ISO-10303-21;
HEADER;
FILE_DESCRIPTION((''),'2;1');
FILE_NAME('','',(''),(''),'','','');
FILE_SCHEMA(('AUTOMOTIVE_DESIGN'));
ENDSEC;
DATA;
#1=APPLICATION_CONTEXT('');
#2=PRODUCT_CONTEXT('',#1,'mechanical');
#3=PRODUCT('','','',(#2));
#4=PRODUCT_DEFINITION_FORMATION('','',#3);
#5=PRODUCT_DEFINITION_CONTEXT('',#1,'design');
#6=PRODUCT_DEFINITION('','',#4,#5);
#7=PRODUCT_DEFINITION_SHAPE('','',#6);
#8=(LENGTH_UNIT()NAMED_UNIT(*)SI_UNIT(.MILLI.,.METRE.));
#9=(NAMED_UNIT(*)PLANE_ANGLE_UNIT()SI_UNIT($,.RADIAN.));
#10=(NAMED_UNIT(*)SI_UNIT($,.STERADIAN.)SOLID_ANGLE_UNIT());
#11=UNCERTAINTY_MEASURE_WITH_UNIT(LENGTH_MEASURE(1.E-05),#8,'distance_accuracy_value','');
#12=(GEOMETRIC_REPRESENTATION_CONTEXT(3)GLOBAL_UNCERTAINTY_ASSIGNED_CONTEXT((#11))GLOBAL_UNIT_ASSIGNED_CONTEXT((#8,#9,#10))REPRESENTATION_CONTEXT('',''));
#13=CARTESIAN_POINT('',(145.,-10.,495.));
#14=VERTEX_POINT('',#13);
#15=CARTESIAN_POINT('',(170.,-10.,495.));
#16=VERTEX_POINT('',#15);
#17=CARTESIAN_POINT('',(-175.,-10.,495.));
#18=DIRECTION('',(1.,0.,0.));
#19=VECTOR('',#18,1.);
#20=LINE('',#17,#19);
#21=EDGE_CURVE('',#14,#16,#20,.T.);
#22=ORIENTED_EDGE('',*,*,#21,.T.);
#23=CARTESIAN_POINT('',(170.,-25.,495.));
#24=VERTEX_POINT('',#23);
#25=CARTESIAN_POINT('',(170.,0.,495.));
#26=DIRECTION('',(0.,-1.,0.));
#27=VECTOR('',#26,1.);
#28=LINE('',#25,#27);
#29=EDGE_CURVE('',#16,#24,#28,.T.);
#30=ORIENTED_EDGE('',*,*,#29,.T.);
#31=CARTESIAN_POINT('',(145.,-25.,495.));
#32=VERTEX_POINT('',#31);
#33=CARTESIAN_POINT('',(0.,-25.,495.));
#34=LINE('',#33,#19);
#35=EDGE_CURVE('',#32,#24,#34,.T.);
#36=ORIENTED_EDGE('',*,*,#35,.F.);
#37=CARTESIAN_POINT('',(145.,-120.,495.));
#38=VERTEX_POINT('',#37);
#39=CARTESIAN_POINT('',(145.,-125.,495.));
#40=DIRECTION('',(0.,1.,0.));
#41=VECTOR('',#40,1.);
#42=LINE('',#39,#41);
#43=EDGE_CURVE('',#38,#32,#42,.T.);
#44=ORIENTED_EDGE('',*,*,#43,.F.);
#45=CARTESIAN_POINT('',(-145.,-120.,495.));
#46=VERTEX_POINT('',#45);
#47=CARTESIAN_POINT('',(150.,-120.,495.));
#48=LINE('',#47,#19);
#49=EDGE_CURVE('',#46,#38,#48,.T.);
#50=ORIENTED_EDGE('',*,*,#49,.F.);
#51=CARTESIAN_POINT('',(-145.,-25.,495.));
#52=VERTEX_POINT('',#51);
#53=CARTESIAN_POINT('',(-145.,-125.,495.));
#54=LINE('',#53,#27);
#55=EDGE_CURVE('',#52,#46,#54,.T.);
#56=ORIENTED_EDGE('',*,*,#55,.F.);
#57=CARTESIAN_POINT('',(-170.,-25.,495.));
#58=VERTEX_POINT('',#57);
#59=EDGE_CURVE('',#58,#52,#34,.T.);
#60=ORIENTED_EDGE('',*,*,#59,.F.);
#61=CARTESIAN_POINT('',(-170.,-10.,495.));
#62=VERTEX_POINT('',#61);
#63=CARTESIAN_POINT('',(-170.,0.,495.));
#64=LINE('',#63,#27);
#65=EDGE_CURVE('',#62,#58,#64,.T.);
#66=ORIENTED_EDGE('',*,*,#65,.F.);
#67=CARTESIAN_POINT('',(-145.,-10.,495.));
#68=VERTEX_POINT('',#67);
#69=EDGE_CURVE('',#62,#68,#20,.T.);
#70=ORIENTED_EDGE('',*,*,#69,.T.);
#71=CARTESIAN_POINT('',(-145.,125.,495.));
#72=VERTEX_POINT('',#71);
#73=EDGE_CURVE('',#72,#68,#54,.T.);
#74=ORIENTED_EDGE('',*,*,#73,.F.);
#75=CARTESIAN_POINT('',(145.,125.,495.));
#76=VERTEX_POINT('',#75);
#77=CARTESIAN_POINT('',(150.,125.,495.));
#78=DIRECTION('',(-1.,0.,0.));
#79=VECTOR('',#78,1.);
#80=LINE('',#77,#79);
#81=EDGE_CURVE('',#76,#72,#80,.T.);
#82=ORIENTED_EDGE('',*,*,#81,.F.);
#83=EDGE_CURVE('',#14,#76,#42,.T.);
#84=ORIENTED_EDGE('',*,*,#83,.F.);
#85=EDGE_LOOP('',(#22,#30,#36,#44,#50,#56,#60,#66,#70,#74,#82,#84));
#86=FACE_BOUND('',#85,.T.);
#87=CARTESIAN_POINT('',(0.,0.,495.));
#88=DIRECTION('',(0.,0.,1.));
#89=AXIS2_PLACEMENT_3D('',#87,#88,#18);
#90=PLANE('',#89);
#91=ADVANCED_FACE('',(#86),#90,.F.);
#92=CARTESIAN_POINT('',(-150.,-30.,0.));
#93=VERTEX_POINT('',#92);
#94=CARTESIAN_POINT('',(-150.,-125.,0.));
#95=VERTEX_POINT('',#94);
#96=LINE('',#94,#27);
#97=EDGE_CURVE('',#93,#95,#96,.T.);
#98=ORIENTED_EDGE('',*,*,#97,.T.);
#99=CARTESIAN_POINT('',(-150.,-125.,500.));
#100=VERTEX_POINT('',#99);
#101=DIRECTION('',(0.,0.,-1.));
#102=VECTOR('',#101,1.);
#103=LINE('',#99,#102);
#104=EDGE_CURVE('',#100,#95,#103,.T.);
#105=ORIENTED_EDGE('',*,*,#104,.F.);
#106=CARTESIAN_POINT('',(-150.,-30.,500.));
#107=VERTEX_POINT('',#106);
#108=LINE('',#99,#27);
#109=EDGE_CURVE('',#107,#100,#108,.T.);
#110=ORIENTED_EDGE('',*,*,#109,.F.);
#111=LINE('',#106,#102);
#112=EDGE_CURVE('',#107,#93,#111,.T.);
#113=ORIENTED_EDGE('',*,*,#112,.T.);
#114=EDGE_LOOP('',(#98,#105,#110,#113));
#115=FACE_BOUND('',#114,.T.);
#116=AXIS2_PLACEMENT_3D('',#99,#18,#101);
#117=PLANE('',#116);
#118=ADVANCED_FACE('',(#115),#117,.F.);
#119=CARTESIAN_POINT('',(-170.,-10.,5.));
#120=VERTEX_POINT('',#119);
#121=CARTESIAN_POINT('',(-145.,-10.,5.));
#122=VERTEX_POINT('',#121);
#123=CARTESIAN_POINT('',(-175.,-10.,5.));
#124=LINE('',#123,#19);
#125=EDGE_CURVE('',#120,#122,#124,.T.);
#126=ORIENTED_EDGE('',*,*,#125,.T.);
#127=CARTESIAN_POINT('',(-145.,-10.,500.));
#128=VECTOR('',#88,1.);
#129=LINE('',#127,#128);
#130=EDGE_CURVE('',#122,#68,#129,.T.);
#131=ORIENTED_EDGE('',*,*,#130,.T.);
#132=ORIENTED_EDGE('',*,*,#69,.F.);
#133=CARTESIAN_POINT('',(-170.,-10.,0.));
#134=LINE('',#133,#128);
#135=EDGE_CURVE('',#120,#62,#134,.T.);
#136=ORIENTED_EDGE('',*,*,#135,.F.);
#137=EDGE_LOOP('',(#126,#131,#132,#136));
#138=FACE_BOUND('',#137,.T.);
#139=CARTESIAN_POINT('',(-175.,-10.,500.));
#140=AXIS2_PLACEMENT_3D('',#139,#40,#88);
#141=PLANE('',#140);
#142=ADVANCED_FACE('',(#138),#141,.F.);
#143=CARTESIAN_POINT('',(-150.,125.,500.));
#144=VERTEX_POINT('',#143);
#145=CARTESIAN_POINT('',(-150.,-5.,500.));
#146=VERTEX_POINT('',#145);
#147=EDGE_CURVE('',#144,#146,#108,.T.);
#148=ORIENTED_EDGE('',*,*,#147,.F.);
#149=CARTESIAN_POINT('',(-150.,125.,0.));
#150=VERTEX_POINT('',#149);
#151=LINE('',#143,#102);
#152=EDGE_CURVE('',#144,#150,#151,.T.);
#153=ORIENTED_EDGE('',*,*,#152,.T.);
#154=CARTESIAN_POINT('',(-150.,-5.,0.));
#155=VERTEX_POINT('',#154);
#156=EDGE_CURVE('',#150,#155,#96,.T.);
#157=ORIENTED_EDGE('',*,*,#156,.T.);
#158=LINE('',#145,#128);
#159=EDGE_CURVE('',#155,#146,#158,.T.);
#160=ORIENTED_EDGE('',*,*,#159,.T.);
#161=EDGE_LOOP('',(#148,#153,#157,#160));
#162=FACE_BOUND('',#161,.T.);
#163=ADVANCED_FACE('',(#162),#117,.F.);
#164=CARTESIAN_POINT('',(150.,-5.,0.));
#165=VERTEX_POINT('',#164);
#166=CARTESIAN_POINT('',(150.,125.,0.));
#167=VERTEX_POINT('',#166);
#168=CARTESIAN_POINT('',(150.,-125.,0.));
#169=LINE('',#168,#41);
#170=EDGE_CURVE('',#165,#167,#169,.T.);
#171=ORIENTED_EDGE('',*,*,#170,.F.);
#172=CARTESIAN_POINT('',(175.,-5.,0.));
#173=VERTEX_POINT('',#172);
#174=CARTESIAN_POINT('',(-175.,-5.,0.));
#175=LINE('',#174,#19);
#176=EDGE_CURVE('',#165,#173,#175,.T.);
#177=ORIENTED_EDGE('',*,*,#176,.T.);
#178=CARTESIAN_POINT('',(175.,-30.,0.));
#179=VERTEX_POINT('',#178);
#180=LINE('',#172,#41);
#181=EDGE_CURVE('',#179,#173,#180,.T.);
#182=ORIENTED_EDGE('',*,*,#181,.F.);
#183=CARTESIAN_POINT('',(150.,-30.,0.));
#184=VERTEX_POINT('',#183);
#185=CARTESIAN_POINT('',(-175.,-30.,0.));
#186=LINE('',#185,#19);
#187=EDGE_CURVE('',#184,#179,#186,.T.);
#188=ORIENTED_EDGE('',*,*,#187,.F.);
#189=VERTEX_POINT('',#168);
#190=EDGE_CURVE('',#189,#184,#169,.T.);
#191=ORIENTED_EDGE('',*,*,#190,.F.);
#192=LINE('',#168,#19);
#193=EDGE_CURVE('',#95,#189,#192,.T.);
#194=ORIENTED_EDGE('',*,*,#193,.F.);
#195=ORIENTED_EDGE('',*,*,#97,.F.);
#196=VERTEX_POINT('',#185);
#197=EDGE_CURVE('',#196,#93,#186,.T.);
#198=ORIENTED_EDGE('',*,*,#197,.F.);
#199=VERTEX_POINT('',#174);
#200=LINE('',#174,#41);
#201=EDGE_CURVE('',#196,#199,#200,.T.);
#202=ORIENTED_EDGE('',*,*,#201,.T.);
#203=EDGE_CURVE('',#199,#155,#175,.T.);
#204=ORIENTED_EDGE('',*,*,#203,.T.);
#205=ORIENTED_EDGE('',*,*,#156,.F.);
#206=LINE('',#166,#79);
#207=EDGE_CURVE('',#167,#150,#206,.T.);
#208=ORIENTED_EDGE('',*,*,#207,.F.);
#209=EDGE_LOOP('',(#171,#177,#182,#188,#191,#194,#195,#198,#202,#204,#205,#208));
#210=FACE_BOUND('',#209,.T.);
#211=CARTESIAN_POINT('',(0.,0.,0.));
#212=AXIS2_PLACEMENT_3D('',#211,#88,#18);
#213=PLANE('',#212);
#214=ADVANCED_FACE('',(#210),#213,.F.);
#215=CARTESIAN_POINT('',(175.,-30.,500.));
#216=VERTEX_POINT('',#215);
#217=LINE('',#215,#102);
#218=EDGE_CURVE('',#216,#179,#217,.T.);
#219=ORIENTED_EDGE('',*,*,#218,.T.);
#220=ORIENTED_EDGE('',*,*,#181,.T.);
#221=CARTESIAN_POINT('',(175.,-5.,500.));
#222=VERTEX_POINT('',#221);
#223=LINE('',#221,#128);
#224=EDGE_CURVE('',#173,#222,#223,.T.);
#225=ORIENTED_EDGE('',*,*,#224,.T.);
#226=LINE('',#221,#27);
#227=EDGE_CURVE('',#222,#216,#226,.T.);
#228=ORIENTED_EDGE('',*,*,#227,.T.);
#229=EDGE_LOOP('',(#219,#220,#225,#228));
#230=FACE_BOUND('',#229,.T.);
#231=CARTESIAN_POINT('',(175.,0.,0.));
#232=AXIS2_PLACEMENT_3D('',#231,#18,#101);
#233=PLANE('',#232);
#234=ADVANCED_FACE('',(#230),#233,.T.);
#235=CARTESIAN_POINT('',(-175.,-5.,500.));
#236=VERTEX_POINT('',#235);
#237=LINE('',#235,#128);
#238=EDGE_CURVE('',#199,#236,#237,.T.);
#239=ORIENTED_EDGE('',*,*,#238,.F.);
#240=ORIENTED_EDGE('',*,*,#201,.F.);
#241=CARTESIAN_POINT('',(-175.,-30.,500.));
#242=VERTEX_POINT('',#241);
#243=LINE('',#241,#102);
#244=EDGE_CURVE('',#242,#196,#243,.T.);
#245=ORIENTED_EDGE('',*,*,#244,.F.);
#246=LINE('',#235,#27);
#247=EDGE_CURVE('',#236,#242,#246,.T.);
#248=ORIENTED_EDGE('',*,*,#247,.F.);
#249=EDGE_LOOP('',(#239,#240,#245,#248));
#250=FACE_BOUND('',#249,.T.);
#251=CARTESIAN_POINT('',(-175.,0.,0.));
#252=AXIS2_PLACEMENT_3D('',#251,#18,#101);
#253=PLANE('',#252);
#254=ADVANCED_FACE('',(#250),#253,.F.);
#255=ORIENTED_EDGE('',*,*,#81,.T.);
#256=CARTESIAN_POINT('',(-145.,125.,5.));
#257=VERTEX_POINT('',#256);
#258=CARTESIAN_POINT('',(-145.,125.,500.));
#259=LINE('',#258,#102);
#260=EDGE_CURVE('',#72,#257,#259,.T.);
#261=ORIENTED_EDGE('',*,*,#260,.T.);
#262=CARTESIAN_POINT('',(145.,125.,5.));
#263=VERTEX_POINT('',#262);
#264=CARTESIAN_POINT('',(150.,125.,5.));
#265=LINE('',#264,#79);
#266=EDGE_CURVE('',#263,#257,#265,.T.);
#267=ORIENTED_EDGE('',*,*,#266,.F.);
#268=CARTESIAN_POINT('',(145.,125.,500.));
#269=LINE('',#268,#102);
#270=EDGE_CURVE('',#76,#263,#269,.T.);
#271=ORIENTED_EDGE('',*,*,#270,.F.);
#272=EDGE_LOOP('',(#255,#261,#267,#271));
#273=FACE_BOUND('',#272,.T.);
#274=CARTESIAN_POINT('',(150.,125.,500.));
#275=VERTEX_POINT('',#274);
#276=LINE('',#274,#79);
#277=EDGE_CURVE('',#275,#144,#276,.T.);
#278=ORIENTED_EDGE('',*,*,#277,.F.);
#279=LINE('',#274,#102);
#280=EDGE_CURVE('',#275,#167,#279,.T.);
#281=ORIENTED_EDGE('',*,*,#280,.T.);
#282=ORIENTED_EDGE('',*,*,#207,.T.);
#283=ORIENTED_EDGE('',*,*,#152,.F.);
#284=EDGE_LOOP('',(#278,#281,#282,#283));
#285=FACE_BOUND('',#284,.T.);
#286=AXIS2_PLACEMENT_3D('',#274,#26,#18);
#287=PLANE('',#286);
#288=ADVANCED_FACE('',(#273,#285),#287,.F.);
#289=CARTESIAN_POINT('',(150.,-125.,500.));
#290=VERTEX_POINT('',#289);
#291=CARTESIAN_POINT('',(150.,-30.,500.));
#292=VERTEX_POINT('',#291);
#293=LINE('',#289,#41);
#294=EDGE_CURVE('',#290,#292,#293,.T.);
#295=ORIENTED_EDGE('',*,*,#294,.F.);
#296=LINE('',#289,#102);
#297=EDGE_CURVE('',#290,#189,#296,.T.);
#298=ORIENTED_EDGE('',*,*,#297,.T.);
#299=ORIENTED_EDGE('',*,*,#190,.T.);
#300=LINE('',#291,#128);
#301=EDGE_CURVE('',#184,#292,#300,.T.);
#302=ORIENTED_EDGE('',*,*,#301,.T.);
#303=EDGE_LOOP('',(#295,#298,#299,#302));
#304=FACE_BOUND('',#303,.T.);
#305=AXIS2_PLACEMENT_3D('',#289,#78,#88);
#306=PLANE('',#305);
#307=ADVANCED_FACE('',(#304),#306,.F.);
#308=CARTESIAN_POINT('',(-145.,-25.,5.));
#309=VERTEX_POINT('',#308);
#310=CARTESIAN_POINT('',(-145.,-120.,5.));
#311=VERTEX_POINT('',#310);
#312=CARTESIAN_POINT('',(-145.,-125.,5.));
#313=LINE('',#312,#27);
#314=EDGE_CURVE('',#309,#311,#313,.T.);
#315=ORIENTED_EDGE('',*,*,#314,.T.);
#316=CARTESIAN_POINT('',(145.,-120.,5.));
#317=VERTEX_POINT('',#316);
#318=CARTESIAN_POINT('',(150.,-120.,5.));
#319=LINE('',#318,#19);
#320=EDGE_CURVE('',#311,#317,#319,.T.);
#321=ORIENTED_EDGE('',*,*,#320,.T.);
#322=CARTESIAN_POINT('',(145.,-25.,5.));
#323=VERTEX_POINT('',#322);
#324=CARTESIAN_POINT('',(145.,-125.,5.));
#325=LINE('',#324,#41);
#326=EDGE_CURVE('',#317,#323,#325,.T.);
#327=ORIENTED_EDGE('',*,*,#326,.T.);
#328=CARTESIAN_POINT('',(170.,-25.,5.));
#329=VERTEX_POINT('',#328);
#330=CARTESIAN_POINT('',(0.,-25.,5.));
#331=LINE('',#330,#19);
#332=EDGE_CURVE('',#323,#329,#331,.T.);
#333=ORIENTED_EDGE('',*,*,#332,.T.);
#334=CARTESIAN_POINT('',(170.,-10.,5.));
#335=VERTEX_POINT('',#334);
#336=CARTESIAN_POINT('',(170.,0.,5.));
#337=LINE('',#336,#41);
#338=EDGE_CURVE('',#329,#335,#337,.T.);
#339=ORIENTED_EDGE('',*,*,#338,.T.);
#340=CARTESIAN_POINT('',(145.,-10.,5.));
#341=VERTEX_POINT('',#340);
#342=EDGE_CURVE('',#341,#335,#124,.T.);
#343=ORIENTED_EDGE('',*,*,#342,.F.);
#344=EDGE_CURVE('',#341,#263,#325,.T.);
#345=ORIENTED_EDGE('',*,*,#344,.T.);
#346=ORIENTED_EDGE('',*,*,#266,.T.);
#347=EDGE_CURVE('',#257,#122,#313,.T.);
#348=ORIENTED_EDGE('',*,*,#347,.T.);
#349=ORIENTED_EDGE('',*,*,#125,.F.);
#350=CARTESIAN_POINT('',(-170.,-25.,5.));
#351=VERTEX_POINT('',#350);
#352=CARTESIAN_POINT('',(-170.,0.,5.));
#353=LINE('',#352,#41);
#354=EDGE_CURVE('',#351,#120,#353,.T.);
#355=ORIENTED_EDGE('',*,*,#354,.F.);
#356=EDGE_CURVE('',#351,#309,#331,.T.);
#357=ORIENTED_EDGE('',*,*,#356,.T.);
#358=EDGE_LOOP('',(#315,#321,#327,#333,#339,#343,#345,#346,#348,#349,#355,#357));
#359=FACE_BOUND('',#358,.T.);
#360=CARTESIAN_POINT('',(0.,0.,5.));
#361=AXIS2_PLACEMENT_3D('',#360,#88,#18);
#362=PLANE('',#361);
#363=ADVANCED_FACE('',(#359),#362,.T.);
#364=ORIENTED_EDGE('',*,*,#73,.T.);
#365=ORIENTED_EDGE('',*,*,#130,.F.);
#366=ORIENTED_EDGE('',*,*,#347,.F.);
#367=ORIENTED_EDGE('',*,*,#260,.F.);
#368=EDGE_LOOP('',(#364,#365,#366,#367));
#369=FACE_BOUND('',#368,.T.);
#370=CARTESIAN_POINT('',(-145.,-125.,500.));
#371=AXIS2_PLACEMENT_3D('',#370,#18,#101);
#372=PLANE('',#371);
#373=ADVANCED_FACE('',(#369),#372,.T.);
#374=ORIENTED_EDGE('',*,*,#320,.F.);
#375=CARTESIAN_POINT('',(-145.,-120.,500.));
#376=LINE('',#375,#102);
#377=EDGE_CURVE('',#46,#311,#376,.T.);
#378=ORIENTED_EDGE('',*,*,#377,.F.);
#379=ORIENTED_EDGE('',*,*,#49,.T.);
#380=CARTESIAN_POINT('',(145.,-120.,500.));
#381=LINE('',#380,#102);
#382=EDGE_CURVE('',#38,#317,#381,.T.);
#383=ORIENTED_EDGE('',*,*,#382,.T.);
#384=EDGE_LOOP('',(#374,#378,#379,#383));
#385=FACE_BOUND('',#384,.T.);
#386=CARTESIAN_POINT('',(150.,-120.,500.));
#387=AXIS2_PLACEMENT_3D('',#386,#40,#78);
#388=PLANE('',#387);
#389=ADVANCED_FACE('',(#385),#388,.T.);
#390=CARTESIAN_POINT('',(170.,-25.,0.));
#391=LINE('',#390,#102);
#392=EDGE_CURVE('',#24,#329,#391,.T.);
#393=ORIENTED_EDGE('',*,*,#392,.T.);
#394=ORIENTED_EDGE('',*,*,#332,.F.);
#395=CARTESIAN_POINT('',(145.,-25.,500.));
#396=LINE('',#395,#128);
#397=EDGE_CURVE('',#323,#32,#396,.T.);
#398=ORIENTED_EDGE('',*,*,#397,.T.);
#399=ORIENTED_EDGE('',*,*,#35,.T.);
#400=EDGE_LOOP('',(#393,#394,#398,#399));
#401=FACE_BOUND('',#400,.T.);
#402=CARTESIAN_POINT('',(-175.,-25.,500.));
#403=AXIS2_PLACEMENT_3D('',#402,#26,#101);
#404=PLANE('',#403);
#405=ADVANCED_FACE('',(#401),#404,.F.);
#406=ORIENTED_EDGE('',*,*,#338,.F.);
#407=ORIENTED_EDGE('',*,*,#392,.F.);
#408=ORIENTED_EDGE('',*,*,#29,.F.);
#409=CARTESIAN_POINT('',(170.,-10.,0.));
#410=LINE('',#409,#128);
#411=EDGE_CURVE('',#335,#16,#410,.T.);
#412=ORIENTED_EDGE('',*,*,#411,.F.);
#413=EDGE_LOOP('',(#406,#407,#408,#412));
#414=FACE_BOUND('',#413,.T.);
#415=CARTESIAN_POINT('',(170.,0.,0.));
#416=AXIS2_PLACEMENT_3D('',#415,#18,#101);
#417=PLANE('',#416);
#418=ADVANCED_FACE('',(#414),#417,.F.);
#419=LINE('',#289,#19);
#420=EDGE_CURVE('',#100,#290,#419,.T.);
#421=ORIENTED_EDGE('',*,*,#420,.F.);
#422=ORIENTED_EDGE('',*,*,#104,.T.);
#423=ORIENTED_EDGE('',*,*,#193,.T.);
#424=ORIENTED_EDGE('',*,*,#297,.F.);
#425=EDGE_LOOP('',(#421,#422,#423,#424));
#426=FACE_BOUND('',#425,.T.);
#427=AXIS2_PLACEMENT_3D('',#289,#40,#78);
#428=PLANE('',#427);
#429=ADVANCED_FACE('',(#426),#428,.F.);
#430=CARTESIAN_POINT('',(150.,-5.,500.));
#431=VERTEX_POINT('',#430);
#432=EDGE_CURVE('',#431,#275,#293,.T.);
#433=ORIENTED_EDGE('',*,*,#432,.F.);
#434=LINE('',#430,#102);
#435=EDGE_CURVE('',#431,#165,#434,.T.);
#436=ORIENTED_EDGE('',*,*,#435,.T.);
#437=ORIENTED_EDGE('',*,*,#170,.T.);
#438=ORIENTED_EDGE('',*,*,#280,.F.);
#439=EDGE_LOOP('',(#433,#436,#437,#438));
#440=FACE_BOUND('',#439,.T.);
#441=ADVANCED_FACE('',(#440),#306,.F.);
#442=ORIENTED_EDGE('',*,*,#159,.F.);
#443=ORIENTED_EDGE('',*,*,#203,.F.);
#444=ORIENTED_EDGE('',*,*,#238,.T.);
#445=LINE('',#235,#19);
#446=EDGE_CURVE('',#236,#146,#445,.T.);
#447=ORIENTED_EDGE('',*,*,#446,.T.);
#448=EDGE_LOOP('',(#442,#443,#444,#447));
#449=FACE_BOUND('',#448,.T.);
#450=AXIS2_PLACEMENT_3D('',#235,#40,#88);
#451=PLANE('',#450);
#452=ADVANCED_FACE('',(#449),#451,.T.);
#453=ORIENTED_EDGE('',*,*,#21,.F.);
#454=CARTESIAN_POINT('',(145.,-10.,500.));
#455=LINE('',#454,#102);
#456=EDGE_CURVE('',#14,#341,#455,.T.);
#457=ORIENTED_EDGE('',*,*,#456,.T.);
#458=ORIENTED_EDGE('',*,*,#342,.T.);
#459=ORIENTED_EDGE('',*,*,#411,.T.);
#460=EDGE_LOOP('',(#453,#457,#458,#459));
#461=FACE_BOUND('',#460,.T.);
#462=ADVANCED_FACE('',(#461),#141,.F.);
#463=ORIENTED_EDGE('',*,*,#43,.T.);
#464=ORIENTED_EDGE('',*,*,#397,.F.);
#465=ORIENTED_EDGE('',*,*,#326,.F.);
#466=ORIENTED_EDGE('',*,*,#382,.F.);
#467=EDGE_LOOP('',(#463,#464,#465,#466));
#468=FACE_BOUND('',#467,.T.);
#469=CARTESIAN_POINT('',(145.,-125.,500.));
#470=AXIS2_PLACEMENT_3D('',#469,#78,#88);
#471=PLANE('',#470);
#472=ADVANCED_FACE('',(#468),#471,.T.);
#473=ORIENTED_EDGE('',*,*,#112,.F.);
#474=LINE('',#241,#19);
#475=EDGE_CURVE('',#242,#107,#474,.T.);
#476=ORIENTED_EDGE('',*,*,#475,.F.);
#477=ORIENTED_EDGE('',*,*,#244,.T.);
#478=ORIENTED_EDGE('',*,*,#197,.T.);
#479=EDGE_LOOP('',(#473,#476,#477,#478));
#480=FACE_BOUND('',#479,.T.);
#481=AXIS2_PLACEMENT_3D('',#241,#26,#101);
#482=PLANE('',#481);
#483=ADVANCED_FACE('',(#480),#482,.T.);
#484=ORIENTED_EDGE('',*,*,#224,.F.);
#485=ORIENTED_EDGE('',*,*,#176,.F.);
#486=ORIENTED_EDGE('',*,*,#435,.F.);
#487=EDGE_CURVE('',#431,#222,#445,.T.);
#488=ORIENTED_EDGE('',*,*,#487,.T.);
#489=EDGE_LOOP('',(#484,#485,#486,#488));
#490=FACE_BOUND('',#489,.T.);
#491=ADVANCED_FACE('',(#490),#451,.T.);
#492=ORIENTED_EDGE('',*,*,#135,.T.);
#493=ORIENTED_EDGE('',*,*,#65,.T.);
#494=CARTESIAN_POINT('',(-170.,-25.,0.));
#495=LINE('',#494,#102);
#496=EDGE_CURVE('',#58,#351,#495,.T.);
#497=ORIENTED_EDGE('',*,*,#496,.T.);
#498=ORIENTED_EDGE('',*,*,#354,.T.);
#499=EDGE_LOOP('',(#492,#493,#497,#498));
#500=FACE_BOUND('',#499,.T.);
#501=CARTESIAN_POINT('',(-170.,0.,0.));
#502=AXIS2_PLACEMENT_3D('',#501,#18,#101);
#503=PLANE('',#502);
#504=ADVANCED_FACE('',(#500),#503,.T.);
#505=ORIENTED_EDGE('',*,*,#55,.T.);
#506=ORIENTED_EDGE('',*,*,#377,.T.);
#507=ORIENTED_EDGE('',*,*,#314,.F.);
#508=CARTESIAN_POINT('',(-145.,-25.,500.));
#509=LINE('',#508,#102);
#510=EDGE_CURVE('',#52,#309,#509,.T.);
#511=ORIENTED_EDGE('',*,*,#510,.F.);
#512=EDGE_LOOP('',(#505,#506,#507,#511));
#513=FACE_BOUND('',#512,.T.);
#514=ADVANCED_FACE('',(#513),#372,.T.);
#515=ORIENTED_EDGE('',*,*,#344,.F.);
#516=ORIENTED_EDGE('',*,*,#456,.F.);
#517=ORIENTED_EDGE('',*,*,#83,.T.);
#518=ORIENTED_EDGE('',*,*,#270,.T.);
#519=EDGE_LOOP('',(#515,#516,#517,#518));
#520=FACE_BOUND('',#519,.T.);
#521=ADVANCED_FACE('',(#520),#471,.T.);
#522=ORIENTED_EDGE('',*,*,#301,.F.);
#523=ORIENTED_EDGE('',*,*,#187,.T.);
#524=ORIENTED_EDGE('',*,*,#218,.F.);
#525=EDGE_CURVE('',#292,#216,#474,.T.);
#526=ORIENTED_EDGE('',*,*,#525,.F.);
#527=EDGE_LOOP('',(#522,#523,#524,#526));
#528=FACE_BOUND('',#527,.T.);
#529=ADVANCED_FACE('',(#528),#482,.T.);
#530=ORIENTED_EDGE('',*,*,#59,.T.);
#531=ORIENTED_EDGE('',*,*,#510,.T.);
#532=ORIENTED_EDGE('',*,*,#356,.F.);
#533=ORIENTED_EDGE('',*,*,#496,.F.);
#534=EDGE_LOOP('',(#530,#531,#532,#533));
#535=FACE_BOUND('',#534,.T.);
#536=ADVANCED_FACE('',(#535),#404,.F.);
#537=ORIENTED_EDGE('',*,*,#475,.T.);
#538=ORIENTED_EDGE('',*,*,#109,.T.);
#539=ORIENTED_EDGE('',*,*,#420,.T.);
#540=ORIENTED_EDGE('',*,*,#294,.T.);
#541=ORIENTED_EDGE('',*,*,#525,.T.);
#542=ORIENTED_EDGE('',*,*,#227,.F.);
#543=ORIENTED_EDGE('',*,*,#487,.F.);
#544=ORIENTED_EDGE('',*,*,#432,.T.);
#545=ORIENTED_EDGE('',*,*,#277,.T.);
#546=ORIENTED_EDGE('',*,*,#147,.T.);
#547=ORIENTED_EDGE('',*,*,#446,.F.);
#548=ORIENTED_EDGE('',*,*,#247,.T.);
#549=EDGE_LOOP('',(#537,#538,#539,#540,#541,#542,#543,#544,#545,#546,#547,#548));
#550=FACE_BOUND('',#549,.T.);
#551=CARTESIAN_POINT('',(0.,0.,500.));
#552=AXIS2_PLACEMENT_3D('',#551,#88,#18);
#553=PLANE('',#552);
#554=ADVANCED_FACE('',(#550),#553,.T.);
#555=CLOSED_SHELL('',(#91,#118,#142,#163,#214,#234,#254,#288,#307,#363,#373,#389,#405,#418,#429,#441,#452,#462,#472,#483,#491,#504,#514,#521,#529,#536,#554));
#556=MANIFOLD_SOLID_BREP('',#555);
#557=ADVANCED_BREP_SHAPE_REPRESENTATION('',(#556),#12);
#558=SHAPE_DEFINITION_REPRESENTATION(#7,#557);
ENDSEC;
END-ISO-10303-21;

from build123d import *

# Parameters (mm, degrees)
CROQUIS1_W                   = 300
CROQUIS1_H                   = 250
SALIENTE_EXTRUIR1_DEPTH      = 500
CROQUIS3_W                   = 500
CROQUIS3_H                   = 25
SALIENTE_EXTRUIR2_DEPTH      = 25
SALIENTE_EXTRUIR2_DEPTH_BACK = 325
VACIADO1_T                   = -5


with BuildPart() as part:
    # Croquis1 → Saliente-Extruir1 (new body)
    with BuildSketch(Plane.XY):
        Rectangle(CROQUIS1_W, CROQUIS1_H)
    extrude(amount=SALIENTE_EXTRUIR1_DEPTH)

    # Croquis3 → Saliente-Extruir2 (add, two sides)
    with BuildSketch(Plane(origin=(150, 0, 0), x_dir=(0, 0, -1), z_dir=(1, 0, 0))) as saliente_extruir2_sk:
        with Locations((-250, -17.5)):
            Rectangle(CROQUIS3_W, CROQUIS3_H)
    extrude(amount=SALIENTE_EXTRUIR2_DEPTH)
    extrude(saliente_extruir2_sk.sketch, amount=-SALIENTE_EXTRUIR2_DEPTH_BACK)

    # Vaciado1
    vaciado1_openings = [part.faces().sort_by_distance(p)[0] for p in [
        (0, 125, 250),
    ]]
    offset(amount=VACIADO1_T, openings=vaciado1_openings, kind=Kind.INTERSECTION)


solid = part.part
